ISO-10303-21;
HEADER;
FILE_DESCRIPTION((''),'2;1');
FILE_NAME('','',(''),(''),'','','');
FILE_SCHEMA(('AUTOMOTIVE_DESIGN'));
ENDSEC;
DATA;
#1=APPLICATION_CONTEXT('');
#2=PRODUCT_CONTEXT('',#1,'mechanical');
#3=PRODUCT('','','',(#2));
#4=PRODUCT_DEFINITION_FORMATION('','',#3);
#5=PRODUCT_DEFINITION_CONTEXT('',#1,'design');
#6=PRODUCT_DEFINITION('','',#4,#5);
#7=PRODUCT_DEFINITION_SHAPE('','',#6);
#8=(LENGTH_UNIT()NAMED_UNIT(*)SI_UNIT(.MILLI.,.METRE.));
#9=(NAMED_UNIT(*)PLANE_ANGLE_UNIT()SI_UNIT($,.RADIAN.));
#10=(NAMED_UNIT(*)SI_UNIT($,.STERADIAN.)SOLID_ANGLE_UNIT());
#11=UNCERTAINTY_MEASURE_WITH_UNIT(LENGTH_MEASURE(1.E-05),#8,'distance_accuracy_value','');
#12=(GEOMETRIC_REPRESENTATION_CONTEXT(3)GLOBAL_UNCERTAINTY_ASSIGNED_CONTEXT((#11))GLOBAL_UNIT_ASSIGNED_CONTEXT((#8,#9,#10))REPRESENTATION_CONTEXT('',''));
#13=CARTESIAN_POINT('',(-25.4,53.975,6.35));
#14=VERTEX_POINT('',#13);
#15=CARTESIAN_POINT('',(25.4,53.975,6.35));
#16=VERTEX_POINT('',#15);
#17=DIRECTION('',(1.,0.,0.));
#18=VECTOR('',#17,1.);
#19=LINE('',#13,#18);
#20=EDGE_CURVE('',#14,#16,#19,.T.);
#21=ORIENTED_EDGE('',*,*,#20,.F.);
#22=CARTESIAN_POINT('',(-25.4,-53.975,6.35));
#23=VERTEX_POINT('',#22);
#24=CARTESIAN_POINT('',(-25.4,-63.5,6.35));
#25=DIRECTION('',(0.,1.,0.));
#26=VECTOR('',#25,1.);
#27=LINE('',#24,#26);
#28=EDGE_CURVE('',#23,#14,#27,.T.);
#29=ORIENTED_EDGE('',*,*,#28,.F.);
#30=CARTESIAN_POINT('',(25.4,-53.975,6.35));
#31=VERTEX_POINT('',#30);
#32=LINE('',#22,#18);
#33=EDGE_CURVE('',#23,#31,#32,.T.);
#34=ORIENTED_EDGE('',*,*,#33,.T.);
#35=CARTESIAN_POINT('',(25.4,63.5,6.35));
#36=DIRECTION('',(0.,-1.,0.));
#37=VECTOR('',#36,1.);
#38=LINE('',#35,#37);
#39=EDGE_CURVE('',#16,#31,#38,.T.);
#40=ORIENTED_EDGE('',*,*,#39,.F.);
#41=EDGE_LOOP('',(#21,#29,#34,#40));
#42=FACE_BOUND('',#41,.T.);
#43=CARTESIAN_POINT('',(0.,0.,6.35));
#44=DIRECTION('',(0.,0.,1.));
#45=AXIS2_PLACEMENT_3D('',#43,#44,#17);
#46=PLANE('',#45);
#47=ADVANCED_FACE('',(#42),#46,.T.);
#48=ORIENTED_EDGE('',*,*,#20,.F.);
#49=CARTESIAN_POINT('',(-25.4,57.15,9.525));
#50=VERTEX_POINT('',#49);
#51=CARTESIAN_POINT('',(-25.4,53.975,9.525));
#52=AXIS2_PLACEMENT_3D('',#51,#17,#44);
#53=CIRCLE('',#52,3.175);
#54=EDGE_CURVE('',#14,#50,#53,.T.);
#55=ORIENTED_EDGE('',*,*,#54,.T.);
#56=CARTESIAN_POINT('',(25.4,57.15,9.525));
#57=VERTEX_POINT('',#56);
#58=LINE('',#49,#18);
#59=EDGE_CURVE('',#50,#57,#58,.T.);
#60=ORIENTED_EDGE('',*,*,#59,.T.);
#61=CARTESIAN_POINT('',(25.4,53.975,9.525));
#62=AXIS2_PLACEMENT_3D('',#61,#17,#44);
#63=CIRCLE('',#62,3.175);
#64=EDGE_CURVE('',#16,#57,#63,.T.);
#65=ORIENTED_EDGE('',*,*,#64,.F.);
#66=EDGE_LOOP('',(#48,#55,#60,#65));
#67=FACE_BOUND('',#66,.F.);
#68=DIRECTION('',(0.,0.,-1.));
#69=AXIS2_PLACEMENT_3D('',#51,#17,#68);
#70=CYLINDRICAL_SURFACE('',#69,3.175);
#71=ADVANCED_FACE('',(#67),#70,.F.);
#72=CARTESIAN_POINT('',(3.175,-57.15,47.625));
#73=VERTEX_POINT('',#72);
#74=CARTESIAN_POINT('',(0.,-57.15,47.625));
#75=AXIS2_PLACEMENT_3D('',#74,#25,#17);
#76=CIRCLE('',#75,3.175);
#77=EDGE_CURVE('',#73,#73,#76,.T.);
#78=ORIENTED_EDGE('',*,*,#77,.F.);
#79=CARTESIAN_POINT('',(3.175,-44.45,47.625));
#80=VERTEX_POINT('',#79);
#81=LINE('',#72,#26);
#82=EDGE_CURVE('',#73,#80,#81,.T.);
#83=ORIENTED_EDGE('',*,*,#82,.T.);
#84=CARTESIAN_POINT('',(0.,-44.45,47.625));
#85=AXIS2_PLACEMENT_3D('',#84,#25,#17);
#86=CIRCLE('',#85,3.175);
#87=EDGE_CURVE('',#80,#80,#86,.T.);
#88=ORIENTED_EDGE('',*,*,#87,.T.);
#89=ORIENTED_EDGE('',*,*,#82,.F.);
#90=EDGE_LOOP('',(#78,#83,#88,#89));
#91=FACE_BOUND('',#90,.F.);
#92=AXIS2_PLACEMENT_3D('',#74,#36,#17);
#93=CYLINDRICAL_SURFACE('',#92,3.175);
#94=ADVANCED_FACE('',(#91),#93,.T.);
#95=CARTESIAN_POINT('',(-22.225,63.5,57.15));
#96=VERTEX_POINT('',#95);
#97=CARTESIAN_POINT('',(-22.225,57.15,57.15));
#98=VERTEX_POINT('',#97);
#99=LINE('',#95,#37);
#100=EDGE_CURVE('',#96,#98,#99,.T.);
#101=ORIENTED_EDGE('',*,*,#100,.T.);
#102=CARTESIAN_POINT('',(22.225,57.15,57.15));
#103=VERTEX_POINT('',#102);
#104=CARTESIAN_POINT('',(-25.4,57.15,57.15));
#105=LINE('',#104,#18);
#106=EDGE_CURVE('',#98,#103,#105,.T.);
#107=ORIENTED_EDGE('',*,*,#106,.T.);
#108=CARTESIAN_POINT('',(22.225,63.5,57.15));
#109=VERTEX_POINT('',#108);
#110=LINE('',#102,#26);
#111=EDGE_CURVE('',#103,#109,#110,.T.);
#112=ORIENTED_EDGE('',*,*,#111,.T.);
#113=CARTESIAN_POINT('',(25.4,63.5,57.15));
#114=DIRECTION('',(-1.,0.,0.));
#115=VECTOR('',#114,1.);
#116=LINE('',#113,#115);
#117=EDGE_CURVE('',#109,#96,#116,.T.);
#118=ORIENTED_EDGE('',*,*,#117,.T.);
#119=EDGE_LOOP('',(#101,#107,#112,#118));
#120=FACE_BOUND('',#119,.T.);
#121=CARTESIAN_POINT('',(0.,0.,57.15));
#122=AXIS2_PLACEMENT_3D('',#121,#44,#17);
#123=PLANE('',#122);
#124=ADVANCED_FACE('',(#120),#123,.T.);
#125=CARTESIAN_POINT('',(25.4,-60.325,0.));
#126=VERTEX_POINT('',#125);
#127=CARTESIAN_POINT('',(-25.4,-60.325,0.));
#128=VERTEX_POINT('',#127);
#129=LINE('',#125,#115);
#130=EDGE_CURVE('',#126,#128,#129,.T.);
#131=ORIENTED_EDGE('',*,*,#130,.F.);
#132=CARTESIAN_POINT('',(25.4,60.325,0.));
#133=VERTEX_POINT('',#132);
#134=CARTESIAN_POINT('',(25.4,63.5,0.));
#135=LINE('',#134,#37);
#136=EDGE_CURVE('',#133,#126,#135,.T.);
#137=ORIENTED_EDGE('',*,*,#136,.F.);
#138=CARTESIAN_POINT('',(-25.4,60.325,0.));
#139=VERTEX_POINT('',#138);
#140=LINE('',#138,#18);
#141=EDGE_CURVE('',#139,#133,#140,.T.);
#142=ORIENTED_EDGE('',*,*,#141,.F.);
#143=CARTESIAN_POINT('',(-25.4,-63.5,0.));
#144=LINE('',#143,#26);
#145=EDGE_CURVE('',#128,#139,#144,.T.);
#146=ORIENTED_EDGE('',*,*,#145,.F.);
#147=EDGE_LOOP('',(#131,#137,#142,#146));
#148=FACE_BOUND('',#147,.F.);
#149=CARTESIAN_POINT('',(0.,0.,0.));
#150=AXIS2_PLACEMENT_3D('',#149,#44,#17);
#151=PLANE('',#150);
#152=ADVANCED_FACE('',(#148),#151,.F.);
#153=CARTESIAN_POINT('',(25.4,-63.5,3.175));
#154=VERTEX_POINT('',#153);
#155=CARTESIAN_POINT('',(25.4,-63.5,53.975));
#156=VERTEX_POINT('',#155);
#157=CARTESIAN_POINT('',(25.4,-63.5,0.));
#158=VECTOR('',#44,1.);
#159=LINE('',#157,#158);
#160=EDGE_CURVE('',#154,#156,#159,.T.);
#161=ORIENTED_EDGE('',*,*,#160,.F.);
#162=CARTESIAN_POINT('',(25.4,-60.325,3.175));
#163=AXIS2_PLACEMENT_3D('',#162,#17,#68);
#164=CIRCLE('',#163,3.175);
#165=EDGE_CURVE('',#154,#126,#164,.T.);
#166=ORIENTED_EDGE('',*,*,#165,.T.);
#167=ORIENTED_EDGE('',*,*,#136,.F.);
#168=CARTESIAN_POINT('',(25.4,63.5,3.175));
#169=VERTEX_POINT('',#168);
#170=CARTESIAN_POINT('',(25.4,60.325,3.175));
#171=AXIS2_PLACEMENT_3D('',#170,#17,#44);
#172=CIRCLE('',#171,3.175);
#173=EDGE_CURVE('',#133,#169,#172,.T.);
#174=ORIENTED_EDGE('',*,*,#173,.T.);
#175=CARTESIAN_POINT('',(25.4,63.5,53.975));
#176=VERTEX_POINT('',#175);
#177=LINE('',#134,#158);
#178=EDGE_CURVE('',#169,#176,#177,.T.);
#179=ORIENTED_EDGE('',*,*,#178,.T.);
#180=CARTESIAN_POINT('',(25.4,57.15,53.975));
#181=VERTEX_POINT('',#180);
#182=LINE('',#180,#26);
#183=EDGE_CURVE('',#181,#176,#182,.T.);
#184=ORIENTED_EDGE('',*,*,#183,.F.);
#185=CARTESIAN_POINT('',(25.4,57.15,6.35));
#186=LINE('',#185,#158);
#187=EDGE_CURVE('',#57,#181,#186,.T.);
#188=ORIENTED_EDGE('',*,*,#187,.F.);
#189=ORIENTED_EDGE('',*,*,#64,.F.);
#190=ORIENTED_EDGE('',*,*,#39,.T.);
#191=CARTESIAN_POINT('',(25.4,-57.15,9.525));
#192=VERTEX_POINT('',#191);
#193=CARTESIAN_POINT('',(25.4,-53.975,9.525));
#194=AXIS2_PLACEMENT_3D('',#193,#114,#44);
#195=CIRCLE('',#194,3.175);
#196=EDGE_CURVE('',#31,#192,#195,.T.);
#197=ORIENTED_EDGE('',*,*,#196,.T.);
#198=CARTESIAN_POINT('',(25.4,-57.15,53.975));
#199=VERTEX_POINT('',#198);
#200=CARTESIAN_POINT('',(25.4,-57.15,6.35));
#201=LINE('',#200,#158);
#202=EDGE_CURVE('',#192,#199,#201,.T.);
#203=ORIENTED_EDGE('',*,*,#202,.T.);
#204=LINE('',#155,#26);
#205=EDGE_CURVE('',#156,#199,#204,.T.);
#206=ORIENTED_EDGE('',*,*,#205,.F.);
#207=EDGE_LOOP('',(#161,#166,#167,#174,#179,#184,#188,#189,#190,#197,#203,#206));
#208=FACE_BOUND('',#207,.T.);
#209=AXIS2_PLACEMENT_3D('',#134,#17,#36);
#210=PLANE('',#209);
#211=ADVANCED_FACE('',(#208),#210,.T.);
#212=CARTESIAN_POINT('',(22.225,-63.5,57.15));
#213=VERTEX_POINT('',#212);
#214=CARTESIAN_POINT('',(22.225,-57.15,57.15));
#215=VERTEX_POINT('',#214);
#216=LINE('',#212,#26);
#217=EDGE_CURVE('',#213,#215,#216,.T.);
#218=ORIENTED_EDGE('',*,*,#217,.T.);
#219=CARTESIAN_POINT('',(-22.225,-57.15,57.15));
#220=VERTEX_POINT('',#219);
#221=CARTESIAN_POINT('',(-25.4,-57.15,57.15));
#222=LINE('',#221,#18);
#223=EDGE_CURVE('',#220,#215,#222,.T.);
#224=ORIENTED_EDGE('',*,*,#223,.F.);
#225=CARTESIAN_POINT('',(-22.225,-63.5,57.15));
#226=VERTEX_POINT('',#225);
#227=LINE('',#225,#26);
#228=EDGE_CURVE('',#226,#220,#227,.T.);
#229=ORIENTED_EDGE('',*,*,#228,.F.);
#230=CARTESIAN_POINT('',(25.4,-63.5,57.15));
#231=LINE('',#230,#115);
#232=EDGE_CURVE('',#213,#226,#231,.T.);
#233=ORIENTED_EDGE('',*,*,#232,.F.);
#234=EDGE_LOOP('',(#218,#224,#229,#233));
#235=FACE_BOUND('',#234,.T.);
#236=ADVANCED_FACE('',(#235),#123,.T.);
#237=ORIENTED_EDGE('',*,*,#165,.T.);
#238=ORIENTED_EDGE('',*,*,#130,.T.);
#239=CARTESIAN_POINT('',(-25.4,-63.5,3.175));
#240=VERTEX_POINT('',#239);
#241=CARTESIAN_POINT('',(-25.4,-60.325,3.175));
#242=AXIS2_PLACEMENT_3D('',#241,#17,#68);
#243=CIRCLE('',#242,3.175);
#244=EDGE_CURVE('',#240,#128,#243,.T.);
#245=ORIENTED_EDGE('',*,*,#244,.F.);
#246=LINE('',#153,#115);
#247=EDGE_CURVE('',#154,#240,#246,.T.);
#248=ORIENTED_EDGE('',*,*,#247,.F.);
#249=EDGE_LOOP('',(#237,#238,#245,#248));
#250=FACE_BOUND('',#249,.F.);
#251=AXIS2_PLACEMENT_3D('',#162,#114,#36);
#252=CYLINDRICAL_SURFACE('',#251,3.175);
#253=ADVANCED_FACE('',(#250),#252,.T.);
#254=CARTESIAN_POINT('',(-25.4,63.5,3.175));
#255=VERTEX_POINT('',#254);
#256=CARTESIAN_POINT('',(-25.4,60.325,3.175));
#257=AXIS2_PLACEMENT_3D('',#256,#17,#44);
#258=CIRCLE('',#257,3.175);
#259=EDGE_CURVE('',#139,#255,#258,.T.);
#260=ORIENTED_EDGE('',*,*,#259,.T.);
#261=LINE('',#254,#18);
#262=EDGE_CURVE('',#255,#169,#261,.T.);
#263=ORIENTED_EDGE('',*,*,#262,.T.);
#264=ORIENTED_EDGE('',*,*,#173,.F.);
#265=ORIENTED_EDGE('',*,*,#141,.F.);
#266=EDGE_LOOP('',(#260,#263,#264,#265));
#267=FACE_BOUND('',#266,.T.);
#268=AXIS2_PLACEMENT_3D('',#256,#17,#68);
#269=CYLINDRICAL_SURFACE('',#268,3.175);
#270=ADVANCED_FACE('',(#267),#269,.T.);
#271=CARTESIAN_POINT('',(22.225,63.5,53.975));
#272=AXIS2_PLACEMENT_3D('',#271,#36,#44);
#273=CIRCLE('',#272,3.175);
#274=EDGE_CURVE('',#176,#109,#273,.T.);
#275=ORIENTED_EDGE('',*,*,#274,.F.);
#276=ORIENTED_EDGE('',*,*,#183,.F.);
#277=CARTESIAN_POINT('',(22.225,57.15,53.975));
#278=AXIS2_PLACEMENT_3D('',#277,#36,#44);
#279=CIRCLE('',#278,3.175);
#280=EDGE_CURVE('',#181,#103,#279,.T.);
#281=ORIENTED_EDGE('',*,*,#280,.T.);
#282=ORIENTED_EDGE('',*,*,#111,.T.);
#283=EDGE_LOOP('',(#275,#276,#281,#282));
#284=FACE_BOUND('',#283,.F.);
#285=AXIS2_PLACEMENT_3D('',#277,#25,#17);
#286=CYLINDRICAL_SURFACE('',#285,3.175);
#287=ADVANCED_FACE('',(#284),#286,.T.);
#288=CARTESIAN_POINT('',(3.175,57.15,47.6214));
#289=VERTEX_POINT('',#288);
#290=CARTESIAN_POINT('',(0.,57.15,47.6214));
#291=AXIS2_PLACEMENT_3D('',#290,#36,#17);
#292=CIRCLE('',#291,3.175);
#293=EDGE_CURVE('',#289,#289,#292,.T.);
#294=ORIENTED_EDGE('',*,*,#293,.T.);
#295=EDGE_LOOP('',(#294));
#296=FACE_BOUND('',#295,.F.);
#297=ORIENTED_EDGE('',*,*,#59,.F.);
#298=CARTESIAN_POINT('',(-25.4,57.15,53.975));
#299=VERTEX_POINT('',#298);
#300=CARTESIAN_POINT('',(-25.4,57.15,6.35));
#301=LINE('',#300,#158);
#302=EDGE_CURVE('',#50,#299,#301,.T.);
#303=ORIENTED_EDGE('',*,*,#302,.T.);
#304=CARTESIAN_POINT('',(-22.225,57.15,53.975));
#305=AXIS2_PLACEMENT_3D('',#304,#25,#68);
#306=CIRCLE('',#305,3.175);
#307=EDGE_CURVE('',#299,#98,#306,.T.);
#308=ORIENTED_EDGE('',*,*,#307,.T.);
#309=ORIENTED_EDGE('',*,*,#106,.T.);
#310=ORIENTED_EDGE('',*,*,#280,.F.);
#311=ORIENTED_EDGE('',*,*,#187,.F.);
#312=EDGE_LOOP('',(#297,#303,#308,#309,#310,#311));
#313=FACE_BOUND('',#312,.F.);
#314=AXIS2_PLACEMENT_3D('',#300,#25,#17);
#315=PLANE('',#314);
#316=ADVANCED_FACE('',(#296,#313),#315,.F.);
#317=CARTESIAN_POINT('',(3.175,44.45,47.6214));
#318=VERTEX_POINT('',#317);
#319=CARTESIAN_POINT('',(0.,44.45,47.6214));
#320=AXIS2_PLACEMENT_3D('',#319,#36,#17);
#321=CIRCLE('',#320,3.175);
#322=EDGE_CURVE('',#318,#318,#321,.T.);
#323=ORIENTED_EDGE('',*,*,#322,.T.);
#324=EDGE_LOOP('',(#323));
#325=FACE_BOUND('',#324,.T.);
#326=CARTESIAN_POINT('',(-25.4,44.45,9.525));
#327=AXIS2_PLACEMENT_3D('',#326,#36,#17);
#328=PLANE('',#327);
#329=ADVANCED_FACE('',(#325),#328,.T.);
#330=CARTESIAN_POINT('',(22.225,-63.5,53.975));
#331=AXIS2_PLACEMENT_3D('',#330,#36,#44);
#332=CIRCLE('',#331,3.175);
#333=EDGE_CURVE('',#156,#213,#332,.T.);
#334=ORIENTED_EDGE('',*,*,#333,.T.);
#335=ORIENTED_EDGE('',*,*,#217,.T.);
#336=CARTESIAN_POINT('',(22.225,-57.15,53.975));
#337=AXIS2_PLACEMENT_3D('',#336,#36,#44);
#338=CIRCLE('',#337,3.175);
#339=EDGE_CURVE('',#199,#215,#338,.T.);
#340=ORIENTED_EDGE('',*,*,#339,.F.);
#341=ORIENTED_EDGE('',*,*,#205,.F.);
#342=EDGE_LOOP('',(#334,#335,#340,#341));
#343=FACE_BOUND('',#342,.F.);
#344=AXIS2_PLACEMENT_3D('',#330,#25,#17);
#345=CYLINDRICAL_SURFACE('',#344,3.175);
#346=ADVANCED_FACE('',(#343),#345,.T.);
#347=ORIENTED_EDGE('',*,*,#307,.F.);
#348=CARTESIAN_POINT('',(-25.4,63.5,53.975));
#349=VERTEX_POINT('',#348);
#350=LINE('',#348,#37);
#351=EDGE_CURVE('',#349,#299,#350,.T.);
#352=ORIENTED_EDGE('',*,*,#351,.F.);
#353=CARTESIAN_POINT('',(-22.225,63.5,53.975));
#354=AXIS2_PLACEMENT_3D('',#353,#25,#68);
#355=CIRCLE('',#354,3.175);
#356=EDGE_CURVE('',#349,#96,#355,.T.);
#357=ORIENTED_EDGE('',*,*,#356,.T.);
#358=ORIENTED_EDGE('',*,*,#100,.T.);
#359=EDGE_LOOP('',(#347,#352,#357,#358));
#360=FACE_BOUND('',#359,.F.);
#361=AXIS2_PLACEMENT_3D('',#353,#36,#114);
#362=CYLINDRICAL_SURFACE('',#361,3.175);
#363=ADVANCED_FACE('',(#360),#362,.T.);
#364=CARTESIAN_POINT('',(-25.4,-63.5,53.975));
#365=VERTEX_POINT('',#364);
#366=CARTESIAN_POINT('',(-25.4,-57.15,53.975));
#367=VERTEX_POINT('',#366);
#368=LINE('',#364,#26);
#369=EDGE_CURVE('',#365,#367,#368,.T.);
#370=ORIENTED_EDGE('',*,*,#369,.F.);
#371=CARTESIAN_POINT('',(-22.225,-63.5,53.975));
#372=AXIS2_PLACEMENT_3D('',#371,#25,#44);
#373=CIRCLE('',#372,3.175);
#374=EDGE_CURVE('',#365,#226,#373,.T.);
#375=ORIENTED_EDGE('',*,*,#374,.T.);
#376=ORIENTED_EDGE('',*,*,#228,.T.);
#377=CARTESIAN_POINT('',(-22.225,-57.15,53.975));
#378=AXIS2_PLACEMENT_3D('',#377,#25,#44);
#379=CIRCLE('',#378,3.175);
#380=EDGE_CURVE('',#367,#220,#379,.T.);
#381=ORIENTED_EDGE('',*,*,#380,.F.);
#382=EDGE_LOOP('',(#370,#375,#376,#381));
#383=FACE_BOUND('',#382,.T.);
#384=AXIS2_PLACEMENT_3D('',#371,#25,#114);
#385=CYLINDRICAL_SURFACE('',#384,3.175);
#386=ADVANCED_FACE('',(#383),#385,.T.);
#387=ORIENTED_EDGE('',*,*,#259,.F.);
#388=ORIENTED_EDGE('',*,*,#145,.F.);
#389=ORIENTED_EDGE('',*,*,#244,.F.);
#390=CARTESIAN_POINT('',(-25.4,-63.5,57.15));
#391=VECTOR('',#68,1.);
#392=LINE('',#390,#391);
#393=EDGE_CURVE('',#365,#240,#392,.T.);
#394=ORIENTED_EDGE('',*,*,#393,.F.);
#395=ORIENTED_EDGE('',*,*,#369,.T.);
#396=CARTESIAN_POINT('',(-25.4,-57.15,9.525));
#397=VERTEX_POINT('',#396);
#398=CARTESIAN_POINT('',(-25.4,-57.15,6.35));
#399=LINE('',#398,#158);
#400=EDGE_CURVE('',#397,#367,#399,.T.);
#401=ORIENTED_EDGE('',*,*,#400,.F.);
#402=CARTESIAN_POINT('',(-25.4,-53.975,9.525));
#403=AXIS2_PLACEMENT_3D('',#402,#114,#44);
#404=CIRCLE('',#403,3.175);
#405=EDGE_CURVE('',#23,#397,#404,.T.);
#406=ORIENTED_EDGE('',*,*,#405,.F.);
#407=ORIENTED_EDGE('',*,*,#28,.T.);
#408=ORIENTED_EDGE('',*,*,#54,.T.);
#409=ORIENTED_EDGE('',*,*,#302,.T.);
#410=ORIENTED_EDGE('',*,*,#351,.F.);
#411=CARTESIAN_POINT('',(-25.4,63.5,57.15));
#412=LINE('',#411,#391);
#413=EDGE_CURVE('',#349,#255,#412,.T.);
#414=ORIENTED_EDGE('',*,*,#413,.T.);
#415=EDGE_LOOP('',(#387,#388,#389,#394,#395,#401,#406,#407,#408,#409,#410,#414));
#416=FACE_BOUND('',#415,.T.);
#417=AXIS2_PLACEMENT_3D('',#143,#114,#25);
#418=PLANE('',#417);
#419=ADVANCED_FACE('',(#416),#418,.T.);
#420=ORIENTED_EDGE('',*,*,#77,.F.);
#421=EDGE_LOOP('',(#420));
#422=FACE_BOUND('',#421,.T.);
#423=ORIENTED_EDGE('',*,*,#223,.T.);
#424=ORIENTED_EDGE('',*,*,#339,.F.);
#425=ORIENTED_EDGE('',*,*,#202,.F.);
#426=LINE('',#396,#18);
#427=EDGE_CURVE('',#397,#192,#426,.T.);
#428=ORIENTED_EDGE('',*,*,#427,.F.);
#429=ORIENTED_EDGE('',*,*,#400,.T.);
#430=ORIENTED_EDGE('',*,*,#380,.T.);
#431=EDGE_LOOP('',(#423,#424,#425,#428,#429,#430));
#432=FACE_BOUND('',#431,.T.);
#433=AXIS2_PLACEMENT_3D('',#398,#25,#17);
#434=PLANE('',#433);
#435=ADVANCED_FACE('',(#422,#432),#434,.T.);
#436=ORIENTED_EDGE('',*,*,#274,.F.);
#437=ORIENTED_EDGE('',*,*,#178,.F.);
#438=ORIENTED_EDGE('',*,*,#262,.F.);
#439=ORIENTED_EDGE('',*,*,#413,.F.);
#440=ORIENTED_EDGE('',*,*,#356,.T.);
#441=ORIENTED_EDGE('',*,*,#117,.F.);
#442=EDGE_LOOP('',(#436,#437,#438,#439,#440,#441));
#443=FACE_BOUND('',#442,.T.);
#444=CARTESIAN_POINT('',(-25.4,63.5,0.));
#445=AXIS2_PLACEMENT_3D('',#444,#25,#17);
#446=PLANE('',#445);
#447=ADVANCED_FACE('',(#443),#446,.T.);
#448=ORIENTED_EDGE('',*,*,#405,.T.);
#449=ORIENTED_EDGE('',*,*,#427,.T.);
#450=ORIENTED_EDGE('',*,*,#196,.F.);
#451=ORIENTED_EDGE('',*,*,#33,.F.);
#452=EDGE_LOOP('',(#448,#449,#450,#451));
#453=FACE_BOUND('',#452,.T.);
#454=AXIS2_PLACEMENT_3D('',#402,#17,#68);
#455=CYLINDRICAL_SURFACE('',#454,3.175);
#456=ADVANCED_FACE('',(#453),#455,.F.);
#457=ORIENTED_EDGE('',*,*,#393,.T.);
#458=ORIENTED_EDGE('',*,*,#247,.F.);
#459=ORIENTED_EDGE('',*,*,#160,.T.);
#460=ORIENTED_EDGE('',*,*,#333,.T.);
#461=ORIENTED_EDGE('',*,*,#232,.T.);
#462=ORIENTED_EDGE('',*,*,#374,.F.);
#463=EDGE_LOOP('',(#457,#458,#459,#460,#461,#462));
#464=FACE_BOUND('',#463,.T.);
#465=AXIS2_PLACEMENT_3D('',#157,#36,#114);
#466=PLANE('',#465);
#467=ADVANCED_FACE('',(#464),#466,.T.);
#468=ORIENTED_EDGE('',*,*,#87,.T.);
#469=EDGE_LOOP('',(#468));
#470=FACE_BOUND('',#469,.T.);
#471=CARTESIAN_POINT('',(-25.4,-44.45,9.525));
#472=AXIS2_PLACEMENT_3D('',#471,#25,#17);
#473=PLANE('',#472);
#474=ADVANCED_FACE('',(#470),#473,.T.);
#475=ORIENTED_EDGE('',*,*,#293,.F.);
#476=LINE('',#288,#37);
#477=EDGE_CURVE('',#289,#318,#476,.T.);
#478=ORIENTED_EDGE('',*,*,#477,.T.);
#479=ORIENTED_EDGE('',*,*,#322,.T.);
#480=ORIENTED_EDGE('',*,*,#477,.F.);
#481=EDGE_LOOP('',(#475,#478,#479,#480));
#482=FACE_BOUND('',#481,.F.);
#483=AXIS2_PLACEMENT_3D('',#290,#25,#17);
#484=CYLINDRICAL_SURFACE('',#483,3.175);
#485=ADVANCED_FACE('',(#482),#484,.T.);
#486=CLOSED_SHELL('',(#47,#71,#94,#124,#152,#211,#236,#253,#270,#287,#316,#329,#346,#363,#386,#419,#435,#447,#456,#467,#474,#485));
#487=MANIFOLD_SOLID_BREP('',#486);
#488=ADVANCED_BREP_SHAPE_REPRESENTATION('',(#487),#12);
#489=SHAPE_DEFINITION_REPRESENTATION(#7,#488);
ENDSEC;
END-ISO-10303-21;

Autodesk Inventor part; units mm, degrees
ref_plane "YZ Plane" through (0, 0, 0) normal (1, 0, 0) x (0, 1, 0)
ref_plane "XZ Plane" through (0, 0, 0) normal (0, 1, 0) x (-1, 0, 0)
ref_plane "XY Plane" through (0, 0, 0) normal (0, 0, 1) x (1, 0, 0)
sketch "Sketch1" plane through (0, 0, 0) normal (0, 0, 1) x (1, 0, 0)
  line L0 (25.4, -63.5) -> (-25.4, -63.5)
  line L1 (-25.4, -63.5) -> (-25.4, 63.5)
  line L2 (-25.4, 63.5) -> (25.4, 63.5)
  line L3 (25.4, 63.5) -> (25.4, -63.5)
  point P0 (0, 0)
  dimension "d0" = 50.8
  dimension "d1" = 127
  dimension "d2" = 63.5
  dimension "d3" = 25.4
extrude "Extrusion1" add sketch "Sketch1" along normal blind 6.35
sketch "Sketch2" plane through (0, 0, 6.35) normal (0, 0, 1) x (1, 0, 0)
  line L0 (25.4, -63.5) -> (25.4, 63.5) projected
  line L1 (25.4, 63.5) -> (-25.4, 63.5)
  line L2 (-25.4, 63.5) -> (-25.4, 57.15)
  line L3 (-25.4, 57.15) -> (25.4, 57.15)
  line L4 (25.4, 57.15) -> (25.4, 63.5)
  line L5 (25.4, -63.5) -> (-25.4, -63.5)
  line L6 (-25.4, -63.5) -> (-25.4, -57.15)
  line L7 (-25.4, -57.15) -> (25.4, -57.15)
  line L8 (25.4, -57.15) -> (25.4, -63.5)
  point P0 (0, 0)
  dimension "d6" = 50.8
  dimension "d7" = 6.35
  dimension "d8" = 50.8
  dimension "d9" = 6.35
extrude "Extrusion2" add sketch "Sketch2" along normal blind 50.8
fillet "Fillet1" radius 3.175 8 edges at (-25.4, 60.325, 57.15) (25.4, 60.325, 57.15) (-25.4, -60.325, 57.15) (25.4, -60.325, 57.15) (0, -63.5, 0) (0, 63.5, 0) (0, 57.15, 6.35) (0, -57.15, 6.35)
sketch "Sketch3" plane through (-25.4, 57.15, 9.525) normal (0, -1, 0) x (1, 0, 0)
  circle A0 centre (25.4, 38.0964) radius 3.175
  line L0 (0, -6.35) -> (0, 44.45) projected
  line L1 (0, -0.0036) -> (75.5058, -0.0036) construction
  point P0 (25.4, -9.525)
  dimension "d13" = 6.35
  dimension "d14" = 25.4
  dimension "d15" = 38.1
extrude "Extrusion3" add sketch "Sketch3" along normal blind 12.7
sketch "Sketch4" plane through (-25.4, -57.15, 9.525) normal (0, 1, 0) x (1, 0, 0)
  circle A0 centre (25.4, -38.1) radius 3.175
  line L0 (0, 0) -> (100.0722, 0) construction
  line L1 (0, 6.35) -> (0, -44.45) construction
  point P0 (25.4, 9.525)
  dimension "d18" = 6.35
  dimension "d19" = 38.1
  dimension "d20" = 25.4
extrude "Extrusion4" add sketch "Sketch4" along normal blind 12.7
properties part number "Bracket3"
